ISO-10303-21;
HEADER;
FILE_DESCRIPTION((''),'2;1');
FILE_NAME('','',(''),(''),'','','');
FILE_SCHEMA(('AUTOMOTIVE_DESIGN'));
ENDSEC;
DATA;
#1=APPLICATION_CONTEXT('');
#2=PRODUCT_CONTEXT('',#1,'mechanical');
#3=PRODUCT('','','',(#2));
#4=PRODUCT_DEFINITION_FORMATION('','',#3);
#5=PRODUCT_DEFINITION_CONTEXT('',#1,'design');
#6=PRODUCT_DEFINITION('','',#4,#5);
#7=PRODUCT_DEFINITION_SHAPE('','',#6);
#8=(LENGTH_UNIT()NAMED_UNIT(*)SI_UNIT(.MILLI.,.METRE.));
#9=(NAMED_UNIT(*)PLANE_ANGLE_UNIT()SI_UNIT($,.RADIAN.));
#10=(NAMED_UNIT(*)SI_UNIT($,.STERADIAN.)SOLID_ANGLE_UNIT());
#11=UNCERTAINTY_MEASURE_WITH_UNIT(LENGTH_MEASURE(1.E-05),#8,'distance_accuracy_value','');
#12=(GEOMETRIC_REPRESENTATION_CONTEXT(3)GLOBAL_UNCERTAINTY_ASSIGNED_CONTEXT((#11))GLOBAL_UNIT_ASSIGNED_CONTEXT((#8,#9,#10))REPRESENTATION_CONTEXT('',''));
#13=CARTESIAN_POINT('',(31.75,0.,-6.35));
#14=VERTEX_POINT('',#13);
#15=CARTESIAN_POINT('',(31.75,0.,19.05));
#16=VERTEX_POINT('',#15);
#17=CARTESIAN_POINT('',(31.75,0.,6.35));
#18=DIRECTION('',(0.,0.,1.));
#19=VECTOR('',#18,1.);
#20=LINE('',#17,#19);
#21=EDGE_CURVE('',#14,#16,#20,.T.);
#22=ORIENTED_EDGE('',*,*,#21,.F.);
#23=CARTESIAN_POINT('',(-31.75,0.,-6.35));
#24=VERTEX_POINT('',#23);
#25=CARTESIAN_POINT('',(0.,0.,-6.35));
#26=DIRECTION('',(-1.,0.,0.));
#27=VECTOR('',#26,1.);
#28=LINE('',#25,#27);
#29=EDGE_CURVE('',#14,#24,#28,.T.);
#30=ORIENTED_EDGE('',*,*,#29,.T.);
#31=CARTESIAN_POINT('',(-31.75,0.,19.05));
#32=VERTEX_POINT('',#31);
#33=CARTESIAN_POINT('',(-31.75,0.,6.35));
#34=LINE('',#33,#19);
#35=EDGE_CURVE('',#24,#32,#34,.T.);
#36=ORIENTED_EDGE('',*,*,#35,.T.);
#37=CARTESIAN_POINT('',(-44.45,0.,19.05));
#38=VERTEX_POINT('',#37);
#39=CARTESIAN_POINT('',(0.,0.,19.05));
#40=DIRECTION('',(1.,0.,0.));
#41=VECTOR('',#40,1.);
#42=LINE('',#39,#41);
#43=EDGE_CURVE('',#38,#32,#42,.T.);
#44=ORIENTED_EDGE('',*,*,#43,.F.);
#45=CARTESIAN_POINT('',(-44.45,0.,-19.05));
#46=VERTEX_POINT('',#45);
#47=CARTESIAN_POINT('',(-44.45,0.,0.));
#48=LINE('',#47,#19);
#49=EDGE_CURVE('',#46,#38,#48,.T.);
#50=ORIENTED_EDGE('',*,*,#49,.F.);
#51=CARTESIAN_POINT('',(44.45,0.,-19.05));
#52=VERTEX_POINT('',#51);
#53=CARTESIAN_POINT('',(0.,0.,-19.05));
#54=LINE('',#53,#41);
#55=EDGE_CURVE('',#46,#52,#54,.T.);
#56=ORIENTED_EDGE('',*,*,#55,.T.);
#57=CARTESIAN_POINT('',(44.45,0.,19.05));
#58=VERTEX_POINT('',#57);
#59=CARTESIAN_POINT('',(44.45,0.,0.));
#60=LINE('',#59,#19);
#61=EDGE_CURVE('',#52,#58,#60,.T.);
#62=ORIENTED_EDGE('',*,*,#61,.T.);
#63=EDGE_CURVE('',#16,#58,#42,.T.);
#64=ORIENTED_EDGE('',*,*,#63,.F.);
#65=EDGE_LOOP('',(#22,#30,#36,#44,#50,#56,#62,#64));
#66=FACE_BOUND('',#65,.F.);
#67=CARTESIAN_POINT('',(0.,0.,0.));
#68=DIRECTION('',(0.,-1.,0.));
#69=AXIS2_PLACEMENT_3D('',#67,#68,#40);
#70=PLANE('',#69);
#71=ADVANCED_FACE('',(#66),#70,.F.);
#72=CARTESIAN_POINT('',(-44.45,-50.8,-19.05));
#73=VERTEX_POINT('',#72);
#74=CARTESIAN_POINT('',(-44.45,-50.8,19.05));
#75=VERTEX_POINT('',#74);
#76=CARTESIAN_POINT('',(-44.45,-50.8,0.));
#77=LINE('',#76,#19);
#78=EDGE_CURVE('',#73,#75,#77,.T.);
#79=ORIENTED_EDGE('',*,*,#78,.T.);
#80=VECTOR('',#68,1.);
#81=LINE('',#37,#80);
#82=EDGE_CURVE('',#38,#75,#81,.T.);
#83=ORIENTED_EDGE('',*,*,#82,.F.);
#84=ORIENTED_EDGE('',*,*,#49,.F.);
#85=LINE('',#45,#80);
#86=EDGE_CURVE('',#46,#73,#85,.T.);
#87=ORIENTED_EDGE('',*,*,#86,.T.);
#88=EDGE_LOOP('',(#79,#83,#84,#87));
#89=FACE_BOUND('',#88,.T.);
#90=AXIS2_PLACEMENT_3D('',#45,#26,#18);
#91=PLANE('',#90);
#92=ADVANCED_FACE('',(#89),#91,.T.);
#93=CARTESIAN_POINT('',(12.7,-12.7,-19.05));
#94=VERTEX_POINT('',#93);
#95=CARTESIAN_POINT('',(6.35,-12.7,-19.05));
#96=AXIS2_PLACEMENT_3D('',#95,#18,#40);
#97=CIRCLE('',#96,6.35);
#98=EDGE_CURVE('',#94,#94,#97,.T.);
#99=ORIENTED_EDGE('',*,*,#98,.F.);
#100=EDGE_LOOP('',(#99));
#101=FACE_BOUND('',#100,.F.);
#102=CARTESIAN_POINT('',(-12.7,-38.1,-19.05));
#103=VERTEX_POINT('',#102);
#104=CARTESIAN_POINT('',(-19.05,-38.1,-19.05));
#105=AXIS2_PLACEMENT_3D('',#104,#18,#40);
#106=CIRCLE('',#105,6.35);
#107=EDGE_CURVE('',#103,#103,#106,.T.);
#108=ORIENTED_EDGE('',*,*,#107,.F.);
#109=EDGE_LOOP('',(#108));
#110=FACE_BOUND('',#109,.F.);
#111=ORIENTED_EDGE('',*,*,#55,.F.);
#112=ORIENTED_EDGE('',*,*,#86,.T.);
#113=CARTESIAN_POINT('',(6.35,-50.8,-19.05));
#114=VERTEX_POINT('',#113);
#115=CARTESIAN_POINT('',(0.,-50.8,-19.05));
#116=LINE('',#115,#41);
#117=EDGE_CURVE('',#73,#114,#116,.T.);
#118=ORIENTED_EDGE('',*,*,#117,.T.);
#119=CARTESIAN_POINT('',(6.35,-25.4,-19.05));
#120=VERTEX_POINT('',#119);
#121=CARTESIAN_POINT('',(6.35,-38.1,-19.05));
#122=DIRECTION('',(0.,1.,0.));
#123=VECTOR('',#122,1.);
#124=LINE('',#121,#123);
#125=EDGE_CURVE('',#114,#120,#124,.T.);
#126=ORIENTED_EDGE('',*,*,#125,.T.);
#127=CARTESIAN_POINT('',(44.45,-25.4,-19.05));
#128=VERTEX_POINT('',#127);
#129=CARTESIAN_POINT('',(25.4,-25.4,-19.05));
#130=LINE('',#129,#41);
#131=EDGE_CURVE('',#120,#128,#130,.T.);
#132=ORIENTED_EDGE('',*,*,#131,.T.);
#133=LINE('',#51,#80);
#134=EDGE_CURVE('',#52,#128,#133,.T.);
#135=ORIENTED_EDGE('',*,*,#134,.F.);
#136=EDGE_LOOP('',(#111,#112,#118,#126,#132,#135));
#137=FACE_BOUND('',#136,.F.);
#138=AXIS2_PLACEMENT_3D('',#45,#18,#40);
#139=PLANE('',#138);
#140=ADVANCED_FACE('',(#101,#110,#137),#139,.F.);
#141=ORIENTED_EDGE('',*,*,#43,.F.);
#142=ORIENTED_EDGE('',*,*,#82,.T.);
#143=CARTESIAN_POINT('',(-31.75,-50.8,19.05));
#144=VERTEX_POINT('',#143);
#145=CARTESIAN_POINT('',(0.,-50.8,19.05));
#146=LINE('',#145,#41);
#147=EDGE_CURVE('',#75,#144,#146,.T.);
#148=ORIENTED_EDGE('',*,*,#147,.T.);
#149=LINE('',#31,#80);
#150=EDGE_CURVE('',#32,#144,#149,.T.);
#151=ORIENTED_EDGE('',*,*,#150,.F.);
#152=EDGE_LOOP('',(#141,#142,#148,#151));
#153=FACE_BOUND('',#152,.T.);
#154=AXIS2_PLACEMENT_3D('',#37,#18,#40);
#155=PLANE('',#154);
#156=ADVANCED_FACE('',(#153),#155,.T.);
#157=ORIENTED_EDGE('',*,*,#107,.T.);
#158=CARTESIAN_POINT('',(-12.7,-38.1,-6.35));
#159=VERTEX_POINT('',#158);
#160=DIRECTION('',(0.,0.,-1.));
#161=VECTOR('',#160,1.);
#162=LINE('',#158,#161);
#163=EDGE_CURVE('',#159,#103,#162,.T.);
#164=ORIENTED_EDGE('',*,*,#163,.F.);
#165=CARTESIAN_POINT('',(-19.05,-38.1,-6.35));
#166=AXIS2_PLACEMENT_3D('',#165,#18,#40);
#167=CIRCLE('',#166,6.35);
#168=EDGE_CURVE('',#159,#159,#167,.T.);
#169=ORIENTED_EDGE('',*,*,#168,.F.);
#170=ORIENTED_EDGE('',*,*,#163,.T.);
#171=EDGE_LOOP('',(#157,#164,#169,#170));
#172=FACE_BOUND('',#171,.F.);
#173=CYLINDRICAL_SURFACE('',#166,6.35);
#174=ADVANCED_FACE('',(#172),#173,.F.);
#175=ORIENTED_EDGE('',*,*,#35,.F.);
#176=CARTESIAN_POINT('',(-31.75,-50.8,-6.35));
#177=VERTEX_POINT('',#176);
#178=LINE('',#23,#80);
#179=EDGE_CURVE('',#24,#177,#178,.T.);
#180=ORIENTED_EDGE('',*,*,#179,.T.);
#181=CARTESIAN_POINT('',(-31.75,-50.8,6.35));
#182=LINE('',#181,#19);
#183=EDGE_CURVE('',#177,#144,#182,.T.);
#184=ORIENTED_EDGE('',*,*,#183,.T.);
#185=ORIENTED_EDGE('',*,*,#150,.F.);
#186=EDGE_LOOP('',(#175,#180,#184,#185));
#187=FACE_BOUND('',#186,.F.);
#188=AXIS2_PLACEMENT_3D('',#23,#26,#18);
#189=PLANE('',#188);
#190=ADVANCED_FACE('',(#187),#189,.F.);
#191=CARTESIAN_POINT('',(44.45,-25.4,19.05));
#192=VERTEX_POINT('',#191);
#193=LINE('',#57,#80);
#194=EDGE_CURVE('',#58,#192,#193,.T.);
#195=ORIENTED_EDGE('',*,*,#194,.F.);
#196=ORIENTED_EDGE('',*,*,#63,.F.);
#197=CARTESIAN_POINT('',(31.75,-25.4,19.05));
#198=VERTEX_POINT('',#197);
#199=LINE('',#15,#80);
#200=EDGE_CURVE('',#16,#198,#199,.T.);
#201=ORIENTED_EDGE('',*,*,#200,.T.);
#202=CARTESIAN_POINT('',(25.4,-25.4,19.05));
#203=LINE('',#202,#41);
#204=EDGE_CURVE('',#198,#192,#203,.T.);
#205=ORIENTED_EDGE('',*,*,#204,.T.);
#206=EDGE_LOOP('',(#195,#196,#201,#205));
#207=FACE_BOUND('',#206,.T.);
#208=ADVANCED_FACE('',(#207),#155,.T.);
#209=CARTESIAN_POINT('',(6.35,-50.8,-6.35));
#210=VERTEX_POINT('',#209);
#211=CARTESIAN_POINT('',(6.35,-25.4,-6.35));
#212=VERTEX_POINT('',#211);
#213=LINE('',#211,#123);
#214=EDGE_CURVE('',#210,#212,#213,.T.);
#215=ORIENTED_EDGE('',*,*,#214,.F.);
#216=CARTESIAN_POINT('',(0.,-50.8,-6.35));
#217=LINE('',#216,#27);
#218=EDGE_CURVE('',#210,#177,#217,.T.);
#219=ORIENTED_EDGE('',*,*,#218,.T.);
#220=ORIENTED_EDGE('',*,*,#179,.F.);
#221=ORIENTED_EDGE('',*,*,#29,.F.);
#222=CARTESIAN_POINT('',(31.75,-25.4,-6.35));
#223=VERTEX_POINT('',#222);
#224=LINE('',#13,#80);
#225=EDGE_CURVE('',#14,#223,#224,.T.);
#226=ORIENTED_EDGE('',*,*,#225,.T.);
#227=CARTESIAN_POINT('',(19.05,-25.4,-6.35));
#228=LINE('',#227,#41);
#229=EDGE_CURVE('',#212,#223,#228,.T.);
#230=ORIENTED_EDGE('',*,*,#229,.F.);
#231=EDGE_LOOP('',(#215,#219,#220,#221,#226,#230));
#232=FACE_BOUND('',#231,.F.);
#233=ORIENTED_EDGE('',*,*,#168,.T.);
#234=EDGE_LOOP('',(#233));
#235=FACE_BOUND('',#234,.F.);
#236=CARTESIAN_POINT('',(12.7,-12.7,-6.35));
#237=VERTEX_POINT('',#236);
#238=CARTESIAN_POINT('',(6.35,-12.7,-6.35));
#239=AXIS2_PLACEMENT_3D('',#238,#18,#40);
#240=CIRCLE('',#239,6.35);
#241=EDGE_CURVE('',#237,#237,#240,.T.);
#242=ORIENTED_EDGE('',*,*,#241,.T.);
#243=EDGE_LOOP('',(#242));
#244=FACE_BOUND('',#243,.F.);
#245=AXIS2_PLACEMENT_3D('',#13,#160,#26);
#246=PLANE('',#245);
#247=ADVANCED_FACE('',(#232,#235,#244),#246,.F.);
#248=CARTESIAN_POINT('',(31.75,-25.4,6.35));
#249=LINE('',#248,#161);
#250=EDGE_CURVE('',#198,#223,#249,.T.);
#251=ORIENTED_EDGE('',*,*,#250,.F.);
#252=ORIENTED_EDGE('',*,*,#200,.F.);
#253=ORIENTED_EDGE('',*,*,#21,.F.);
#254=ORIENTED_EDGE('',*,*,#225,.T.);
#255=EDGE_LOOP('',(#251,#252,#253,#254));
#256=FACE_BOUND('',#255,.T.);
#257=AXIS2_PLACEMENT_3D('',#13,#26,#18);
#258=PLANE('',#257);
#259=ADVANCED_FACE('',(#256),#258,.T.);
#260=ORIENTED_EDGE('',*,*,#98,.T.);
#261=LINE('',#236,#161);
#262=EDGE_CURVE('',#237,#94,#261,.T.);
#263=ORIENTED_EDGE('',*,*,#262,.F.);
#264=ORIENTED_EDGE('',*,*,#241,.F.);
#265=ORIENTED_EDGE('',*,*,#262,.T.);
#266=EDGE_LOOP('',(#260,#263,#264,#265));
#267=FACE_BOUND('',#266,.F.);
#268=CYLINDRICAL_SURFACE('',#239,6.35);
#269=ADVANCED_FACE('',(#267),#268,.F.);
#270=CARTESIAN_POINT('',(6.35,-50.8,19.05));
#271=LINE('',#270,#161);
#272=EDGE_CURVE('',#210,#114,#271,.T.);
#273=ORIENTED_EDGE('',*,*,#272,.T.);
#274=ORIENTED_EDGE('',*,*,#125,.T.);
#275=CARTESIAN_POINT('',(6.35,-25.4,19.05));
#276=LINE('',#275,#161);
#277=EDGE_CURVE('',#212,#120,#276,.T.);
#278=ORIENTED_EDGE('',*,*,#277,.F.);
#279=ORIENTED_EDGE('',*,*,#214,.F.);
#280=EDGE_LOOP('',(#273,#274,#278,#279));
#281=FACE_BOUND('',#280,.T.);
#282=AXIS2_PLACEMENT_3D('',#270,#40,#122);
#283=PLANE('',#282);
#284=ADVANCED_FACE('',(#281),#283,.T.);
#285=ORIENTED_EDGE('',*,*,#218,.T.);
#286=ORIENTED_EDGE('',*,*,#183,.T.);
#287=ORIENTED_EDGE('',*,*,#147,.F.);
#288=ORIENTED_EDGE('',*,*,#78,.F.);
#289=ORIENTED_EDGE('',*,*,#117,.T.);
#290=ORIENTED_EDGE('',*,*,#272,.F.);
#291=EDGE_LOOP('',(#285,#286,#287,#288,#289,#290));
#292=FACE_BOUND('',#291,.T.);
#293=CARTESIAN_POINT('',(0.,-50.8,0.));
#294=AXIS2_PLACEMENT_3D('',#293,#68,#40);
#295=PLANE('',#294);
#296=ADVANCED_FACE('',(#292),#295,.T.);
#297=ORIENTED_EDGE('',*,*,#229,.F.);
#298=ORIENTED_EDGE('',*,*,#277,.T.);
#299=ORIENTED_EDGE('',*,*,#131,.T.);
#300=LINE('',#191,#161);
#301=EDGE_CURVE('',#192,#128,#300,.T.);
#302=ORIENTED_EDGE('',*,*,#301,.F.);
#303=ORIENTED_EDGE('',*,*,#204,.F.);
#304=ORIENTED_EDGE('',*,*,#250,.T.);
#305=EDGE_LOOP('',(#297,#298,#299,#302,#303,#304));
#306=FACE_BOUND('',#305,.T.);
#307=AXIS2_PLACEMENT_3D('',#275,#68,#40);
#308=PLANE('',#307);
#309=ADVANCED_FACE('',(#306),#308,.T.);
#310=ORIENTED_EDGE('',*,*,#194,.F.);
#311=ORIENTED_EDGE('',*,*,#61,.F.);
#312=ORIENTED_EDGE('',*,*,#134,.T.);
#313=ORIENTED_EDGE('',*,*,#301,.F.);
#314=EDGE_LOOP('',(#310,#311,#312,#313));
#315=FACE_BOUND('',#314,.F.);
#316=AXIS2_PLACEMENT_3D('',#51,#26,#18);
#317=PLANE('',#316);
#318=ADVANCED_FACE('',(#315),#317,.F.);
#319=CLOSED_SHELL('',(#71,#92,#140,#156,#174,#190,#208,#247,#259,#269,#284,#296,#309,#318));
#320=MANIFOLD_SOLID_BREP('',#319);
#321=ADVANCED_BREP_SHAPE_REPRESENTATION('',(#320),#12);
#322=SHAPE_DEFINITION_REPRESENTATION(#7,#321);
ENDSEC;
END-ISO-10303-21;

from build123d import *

# Parameters (mm, degrees)
F0_W     = 88.9
F0_H     = 38.1
F1_DEPTH = 50.8
F2_W     = 38.1
F2_H     = 25.4
F3_DEPTH = 38.1
F4_W     = 63.5
F4_H     = 25.4
F5_DEPTH = 50.8
F6_R     = 6.35
F7_DEPTH = 12.7
F8_R     = 6.35
F9_DEPTH = 12.7


with BuildPart() as f1:
    # F0 (on Front) → F1 (new body)
    with BuildSketch(Plane.XZ):
        Rectangle(F0_W, F0_H)
    extrude(amount=F1_DEPTH)

    # F2 (on face) → F3 (cut)
    with BuildSketch(Plane.XY.offset(19.05)):
        with Locations((25.4, -38.1)):
            Rectangle(F2_W, F2_H)
    extrude(amount=-F3_DEPTH, mode=Mode.SUBTRACT)

    # F4 (on face) → F5 (cut)
    with BuildSketch(Plane(origin=(0, 0, 0), x_dir=(-1, 0, 0), z_dir=(0, 1, 0))):
        with Locations((0, 6.35)):
            Rectangle(F4_W, F4_H)
    extrude(amount=-F5_DEPTH, mode=Mode.SUBTRACT)

    # F6 (on face) → F7 (cut)
    with BuildSketch(Plane.XY.offset(-6.35)):
        with Locations((-19.05, -38.1)):
            Circle(F6_R)
    extrude(amount=-F7_DEPTH, mode=Mode.SUBTRACT)

    # F8 (on face) → F9 (cut)
    with BuildSketch(Plane.XY.offset(-6.35)):
        with Locations((6.35, -12.7)):
            Circle(F8_R)
    extrude(amount=-F9_DEPTH, mode=Mode.SUBTRACT)


solid = f1.part
